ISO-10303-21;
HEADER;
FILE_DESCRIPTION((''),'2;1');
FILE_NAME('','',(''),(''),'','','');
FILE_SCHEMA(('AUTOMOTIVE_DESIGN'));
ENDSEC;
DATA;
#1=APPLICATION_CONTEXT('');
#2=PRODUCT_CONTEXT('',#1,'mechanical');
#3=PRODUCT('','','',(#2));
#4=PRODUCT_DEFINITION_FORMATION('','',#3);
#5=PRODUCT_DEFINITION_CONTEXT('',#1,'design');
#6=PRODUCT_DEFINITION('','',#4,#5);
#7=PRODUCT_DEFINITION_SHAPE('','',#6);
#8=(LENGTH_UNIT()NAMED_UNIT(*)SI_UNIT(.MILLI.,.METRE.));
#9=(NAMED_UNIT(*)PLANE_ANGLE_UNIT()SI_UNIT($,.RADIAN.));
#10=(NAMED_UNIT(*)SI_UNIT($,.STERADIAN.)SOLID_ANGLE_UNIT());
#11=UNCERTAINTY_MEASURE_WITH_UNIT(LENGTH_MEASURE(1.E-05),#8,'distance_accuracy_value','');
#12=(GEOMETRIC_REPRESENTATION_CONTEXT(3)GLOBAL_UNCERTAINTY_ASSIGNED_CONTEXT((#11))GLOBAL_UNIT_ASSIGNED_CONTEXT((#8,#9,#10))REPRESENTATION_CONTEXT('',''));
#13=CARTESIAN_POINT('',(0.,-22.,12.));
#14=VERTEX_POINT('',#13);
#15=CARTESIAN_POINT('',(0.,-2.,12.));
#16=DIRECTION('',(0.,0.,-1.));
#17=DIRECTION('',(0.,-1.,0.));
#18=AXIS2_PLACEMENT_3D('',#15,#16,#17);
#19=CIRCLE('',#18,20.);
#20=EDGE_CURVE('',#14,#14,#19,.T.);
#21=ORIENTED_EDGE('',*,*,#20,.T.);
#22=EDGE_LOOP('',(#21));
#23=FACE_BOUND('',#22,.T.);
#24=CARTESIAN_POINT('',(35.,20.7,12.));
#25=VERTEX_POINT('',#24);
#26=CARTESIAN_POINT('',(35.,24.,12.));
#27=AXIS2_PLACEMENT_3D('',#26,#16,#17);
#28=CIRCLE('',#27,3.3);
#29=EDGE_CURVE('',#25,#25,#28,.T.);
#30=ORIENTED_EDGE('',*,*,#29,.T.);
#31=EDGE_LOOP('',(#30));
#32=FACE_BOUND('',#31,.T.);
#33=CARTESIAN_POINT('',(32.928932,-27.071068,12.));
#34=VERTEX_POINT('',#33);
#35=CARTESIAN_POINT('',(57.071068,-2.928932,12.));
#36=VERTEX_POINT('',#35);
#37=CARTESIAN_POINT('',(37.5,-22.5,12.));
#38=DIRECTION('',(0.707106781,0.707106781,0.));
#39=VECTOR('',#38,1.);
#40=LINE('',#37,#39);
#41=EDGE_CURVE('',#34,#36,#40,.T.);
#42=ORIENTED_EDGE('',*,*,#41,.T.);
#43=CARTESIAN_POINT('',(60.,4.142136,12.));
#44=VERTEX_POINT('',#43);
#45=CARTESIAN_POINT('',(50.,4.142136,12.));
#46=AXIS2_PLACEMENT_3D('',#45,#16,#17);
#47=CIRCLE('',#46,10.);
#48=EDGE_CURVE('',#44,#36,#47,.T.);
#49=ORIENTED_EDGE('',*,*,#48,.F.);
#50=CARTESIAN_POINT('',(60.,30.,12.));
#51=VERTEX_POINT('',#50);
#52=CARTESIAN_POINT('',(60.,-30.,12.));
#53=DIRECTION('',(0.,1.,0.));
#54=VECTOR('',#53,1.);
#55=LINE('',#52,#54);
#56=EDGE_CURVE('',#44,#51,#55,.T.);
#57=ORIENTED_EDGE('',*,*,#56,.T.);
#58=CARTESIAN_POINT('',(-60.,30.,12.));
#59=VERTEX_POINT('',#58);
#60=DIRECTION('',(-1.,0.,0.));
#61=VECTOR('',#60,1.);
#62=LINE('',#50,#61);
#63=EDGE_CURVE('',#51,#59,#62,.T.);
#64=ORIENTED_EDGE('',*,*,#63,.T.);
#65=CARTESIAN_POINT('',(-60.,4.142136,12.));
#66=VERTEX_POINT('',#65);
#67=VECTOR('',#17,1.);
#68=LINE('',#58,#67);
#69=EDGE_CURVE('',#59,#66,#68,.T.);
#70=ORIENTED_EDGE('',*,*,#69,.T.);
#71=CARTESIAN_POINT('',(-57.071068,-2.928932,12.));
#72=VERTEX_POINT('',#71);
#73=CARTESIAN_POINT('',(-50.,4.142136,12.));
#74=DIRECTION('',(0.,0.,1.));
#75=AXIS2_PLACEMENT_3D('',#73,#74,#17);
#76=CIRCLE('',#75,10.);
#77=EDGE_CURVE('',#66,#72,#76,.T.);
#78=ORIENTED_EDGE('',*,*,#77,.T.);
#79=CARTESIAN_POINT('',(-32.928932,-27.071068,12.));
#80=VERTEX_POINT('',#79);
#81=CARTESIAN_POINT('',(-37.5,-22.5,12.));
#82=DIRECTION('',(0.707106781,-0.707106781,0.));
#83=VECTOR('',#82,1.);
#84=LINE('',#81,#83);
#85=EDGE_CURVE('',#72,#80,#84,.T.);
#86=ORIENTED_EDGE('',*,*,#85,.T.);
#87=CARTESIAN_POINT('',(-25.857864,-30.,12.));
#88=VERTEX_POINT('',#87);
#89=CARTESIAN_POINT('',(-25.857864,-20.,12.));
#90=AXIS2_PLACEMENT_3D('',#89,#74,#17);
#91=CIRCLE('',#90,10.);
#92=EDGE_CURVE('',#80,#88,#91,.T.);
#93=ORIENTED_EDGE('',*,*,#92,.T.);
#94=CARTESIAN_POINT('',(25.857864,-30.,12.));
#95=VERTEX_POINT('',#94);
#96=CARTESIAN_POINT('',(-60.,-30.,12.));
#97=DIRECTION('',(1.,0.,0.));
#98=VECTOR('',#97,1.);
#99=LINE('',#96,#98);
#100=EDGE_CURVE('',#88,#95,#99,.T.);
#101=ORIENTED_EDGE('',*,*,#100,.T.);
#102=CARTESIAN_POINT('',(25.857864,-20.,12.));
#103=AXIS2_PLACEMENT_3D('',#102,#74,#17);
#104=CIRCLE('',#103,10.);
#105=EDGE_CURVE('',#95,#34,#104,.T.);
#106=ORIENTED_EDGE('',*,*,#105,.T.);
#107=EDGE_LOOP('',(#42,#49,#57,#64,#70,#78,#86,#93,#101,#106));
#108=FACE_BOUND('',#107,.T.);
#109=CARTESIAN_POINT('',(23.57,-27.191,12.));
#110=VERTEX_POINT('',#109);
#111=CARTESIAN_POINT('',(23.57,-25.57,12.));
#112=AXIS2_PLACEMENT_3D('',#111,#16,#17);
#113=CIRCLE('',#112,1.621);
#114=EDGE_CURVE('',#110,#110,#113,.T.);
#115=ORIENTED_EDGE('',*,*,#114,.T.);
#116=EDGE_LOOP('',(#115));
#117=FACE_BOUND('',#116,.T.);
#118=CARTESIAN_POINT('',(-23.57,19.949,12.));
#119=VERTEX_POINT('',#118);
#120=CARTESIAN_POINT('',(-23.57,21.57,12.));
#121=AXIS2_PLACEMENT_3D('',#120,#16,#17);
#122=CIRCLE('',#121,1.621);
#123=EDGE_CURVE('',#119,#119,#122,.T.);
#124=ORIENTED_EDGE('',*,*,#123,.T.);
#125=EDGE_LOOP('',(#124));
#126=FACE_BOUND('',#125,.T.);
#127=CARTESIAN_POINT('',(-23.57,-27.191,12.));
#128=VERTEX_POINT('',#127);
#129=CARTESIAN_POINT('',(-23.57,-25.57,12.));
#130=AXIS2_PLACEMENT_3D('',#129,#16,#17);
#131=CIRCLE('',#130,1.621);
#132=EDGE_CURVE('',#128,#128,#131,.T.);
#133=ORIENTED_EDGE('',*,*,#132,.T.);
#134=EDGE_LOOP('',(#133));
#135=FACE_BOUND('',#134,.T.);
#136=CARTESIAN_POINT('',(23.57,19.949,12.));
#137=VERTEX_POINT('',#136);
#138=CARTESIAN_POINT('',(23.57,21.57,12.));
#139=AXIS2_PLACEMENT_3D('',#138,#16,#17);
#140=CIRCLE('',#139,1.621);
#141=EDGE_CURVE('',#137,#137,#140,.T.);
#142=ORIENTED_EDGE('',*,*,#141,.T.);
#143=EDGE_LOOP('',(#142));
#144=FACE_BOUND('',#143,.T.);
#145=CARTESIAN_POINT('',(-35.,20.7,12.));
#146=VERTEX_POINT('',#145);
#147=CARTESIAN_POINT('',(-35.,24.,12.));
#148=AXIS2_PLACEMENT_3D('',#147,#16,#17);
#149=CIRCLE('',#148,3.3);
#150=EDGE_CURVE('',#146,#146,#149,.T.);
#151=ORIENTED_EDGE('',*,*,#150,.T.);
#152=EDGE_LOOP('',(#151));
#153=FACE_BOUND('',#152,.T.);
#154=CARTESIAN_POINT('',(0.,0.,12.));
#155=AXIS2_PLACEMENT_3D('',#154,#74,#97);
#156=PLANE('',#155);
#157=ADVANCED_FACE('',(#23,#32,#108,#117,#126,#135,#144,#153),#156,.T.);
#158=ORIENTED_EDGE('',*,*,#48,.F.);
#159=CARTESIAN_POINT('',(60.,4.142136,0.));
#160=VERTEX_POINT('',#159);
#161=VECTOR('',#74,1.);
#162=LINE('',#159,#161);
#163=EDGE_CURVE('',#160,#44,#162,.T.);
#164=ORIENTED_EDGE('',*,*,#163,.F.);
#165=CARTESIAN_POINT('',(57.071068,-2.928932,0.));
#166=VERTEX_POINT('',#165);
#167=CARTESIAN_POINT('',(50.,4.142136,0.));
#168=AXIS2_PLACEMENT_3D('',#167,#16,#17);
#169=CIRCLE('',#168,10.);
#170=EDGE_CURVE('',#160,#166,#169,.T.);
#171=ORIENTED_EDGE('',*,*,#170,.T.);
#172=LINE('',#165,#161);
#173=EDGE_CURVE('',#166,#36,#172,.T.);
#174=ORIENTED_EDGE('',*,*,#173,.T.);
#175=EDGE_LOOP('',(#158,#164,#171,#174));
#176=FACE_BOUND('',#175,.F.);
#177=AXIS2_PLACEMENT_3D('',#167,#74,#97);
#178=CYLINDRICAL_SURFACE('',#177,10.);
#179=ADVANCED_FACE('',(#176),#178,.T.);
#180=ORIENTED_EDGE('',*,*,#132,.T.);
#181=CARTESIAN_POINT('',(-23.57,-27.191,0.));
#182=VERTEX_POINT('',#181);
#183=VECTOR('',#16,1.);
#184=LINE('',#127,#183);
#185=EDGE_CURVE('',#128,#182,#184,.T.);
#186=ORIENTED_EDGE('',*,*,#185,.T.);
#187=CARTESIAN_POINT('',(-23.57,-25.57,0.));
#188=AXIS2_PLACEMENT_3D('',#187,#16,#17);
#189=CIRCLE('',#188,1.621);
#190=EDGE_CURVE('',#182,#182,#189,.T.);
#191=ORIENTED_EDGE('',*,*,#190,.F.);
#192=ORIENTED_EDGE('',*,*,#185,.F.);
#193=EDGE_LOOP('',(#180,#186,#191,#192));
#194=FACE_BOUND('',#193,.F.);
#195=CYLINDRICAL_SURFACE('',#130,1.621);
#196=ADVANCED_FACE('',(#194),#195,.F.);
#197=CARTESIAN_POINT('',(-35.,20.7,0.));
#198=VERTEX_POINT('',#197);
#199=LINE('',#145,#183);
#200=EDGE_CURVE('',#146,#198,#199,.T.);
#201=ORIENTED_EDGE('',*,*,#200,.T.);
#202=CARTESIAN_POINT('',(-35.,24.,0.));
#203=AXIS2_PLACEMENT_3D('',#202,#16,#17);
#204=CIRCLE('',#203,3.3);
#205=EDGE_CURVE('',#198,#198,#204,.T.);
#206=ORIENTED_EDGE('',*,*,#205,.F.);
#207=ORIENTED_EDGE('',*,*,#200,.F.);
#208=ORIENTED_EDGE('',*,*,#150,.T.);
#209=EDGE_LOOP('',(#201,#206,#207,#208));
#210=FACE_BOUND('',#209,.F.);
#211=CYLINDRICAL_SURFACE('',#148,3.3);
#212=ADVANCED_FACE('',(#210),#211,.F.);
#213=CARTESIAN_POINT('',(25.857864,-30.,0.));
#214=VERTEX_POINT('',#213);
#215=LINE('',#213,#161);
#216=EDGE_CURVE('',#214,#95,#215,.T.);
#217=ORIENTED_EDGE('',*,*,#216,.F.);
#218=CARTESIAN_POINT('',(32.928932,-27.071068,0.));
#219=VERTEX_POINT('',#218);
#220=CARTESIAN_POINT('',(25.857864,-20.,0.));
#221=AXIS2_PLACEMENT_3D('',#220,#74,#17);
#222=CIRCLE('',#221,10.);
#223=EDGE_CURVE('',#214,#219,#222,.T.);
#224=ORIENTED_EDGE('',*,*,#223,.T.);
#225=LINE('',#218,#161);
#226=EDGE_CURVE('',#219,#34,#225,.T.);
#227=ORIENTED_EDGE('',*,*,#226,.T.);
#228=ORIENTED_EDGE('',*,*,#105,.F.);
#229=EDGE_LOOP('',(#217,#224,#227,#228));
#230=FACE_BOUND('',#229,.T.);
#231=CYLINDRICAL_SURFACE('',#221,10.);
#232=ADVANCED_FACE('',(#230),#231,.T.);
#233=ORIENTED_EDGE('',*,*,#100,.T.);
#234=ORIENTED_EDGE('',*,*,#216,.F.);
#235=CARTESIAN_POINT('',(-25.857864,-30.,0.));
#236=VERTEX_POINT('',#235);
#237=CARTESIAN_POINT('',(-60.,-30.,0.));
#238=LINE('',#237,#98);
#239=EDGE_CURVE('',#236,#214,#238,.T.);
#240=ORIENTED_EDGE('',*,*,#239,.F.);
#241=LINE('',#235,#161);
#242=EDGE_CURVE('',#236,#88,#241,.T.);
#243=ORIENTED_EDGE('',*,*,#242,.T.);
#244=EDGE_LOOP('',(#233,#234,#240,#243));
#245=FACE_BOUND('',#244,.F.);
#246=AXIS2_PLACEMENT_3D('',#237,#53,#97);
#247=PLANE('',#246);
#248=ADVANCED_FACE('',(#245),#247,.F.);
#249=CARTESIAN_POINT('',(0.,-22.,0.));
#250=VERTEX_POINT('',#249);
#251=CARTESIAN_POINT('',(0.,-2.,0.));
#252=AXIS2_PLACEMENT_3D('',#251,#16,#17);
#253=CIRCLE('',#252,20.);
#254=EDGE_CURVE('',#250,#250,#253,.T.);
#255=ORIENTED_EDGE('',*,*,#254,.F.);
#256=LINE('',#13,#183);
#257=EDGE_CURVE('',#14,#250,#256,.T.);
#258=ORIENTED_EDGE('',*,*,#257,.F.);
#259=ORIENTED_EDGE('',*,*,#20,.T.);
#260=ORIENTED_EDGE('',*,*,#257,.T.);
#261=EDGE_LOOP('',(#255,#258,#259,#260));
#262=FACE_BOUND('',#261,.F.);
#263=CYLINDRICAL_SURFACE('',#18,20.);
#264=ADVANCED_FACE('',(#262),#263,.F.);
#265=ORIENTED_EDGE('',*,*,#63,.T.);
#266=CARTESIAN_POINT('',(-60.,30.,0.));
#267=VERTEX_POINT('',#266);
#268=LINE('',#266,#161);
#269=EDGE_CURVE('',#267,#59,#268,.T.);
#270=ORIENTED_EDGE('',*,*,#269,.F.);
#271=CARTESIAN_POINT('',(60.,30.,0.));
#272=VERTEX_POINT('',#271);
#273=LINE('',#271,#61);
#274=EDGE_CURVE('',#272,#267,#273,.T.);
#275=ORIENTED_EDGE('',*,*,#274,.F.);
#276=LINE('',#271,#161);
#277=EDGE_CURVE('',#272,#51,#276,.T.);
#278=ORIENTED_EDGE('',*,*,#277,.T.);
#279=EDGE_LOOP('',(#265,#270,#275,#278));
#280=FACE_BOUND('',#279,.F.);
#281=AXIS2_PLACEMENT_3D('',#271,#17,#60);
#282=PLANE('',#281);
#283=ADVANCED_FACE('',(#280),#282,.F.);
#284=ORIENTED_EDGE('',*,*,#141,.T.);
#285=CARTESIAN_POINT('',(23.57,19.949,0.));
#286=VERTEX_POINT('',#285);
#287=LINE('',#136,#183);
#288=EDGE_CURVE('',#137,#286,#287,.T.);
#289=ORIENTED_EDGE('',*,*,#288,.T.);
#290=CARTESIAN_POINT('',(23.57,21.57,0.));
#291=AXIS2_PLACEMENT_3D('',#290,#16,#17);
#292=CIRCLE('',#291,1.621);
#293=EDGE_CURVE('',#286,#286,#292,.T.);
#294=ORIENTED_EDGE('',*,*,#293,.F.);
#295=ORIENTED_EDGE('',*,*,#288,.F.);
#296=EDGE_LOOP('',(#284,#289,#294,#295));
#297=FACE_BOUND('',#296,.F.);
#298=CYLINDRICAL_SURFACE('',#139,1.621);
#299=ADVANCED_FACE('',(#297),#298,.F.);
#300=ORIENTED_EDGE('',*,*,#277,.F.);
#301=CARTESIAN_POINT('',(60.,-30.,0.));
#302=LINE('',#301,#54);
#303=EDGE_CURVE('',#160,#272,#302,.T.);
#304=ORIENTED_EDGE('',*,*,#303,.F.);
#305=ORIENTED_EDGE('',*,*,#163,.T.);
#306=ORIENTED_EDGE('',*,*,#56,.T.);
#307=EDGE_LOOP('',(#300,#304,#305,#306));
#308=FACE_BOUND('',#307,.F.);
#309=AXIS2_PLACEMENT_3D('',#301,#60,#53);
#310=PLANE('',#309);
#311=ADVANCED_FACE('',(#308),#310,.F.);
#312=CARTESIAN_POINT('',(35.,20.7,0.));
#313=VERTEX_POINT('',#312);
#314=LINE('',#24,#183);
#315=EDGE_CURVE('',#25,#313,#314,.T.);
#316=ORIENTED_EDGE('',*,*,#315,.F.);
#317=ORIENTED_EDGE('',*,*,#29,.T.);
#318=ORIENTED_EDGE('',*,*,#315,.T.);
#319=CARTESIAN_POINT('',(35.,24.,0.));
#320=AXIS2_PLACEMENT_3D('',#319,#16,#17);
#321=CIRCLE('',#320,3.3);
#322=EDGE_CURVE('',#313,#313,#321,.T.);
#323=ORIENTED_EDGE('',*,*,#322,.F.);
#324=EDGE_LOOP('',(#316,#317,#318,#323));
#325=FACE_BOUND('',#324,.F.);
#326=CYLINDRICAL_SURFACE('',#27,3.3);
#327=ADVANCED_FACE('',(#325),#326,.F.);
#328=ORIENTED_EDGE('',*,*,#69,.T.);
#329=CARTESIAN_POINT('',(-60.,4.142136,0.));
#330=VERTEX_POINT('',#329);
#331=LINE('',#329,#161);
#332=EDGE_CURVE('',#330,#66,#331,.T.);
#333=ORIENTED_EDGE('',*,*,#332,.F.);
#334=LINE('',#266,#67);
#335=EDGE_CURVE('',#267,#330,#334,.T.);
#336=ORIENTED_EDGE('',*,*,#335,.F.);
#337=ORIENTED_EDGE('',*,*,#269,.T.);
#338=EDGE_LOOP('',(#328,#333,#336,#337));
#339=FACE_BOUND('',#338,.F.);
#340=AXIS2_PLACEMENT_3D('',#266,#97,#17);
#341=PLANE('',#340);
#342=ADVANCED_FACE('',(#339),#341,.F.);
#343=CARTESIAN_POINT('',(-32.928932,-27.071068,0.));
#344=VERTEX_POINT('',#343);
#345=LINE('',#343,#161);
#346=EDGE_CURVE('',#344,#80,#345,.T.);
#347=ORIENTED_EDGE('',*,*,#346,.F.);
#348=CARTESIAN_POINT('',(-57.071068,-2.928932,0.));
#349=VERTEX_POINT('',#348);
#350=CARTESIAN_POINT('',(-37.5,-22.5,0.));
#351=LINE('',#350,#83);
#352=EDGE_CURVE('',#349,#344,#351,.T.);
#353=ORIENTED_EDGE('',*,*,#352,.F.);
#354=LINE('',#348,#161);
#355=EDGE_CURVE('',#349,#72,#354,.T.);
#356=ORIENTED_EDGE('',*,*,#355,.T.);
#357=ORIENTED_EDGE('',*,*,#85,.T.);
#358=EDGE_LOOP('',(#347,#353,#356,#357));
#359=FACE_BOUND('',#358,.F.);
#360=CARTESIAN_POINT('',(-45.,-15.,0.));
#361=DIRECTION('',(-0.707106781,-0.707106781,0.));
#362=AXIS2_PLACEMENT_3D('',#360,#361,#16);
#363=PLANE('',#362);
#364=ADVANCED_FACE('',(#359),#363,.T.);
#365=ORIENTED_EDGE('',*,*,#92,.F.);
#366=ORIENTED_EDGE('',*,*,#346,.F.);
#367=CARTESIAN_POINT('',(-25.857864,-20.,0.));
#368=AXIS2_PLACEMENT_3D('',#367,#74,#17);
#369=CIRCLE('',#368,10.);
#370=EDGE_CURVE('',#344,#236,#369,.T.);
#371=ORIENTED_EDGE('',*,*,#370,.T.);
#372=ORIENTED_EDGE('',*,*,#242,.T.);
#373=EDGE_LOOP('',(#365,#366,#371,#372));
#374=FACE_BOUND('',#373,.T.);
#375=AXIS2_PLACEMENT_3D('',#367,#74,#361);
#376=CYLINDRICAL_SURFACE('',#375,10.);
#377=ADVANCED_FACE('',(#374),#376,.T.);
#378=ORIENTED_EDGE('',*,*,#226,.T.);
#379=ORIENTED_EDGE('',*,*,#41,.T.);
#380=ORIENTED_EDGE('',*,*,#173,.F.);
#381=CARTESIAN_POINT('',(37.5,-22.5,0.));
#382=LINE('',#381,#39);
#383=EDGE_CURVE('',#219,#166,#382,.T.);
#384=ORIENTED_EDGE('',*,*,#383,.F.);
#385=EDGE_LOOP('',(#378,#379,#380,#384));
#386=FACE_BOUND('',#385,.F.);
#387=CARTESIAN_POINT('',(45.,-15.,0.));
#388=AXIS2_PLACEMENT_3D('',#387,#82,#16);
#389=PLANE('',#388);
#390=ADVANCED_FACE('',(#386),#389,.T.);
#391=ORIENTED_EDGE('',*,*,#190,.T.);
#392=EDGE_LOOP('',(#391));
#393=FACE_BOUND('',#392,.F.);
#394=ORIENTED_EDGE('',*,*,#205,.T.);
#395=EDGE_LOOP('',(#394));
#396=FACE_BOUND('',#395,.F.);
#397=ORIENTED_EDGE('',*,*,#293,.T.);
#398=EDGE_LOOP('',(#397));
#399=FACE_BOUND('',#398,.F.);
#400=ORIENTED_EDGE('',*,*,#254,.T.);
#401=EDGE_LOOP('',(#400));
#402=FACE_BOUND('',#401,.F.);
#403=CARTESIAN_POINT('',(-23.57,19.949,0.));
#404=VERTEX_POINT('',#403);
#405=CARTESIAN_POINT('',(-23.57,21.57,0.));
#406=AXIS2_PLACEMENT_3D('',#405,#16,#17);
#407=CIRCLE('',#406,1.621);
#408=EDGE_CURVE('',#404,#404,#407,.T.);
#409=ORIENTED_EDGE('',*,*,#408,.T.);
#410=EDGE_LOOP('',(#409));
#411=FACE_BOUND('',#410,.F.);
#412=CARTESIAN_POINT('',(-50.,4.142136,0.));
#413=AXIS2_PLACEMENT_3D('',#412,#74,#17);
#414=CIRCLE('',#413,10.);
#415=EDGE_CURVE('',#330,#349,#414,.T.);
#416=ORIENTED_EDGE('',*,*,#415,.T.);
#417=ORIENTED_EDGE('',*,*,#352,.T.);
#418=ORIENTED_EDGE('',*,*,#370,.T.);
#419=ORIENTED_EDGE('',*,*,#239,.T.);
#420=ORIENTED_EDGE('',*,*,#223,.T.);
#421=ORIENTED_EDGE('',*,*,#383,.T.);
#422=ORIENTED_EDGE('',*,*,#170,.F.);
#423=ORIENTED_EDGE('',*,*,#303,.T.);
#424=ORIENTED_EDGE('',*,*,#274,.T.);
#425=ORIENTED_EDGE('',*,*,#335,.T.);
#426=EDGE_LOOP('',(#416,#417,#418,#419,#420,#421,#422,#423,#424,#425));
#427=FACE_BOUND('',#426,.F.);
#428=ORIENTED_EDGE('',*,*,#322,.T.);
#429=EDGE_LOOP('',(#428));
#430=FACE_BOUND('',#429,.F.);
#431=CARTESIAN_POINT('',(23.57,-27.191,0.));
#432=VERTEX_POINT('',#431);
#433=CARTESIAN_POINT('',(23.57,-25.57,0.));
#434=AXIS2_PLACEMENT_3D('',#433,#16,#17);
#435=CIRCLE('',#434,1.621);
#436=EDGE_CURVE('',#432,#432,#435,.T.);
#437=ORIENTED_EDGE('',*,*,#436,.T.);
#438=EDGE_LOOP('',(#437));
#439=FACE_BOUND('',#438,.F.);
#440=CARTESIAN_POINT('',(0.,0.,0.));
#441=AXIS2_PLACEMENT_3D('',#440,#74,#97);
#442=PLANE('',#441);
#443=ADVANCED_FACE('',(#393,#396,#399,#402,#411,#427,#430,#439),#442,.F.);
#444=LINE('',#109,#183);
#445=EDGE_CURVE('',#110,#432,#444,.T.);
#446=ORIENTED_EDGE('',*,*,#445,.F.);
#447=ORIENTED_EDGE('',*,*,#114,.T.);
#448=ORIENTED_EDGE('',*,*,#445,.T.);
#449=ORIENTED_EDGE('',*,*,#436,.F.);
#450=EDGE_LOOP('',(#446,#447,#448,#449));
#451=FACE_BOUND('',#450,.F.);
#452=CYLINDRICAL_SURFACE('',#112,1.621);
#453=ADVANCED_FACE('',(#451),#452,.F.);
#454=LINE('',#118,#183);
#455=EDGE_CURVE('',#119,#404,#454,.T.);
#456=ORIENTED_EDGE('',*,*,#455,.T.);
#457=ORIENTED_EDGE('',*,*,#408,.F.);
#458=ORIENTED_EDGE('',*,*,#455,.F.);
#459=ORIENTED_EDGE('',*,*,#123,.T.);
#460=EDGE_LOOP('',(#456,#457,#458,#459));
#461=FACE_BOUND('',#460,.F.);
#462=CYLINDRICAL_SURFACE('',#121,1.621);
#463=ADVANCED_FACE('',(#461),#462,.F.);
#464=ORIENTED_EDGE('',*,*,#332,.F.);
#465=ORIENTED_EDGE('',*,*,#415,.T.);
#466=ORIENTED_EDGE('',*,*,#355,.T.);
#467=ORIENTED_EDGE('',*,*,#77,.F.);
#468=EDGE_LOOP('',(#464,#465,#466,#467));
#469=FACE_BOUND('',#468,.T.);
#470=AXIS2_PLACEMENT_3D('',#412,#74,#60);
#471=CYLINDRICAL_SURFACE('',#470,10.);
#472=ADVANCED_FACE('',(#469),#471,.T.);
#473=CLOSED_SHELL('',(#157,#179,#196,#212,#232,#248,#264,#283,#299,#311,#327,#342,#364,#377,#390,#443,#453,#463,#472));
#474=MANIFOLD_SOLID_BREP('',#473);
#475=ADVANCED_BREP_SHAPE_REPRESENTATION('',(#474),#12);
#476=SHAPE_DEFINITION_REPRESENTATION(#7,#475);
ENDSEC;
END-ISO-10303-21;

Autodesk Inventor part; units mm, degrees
ref_plane "YZ Plane" through (0, 0, 0) normal (1, 0, 0) x (0, 1, 0)
ref_plane "XZ Plane" through (0, 0, 0) normal (0, 1, 0) x (-1, 0, 0)
ref_plane "XY Plane" through (0, 0, 0) normal (0, 0, 1) x (1, 0, 0)
sketch "Sketch1" plane through (0, 0, 0) normal (0, 0, 1) x (1, 0, 0)
  line L0 (-60, -30) -> (60, -30)
  line L1 (60, -30) -> (60, 30)
  line L2 (60, 30) -> (-60, 30)
  line L3 (-60, 30) -> (-60, -30)
  line L4 (-60, -30) -> (60, 30) construction
  line L5 (60, -30) -> (-60, 30) construction
  point P0 (0, 0)
  dimension "d0" = 120
  dimension "d1" = 60
extrude "Extrusion1" add sketch "Sketch1" along normal blind 12
sketch "Sketch2" plane through (0, 0, 12) normal (0, 0, 1) x (1, 0, 0)
  line L0 (60, 30) -> (-60, 30) projected
  point P0 (0, 0)
  point P1 (0, -2)
  point P2 (0, 30)
  dimension "d4" = 32
hole "Hole1" at (0, -2, 12) direction (0, 0, -1) diameter 40 end through all
chamfer "Chamfer1" distance 30 angle 45 2 edges at (60, -30, 6) (-60, -30, 6)
sketch "Sketch3" plane through (0, 0, 12) normal (0, 0, 1) x (1, 0, 0)
  line L0 (60, 30) -> (-60, 30) projected
  point P0 (0, 0)
  point P1 (-35, 24)
  point P2 (35, 24)
  dimension "d15" = 6
  dimension "d16" = 70
  dimension "d17" = 35
hole "Hole2" at (-35, 24, 12) at (35, 24, 12) direction (0, 0, -1) diameter 6.6 end through all clearance for "Socket Head Cap Screw ISO 4762" size "M6" standard "ISO"
sketch "Sketch4" plane through (0, 0, 12) normal (0, 0, 1) x (1, 0, 0)
  line L0 (-23.57, -25.57) -> (23.57, -25.57)
  line L1 (23.57, -25.57) -> (23.57, 21.57)
  line L2 (23.57, 21.57) -> (-23.57, 21.57)
  line L3 (-23.57, 21.57) -> (-23.57, -25.57)
  line L4 (-23.57, -25.57) -> (23.57, 21.57) construction
  line L5 (23.57, -25.57) -> (-23.57, 21.57) construction
  circle A0 centre (0, -2) radius 20 projected
  dimension "d25" = 47.14
  dimension "d26" = 47.14
hole "Hole3" at (-23.57, 21.57, 12) at (23.57, 21.57, 12) at (23.57, -25.57, 12) at (-23.57, -25.57, 12) direction (0, 0, -1) diameter 3.242 end through all thread size "M4x0.7" designation "M4" class "6H" standard "ISO Metric profile"
fillet "Fillet1" radius 10 4 edges at (-30, -30, 6) (-60, 0, 6) (30, -30, 6) (60, 0, 6)
equation "\"d17\" = 0.5 * d16"
properties part number "Motorhalterung" material "Aluminum 6061"
